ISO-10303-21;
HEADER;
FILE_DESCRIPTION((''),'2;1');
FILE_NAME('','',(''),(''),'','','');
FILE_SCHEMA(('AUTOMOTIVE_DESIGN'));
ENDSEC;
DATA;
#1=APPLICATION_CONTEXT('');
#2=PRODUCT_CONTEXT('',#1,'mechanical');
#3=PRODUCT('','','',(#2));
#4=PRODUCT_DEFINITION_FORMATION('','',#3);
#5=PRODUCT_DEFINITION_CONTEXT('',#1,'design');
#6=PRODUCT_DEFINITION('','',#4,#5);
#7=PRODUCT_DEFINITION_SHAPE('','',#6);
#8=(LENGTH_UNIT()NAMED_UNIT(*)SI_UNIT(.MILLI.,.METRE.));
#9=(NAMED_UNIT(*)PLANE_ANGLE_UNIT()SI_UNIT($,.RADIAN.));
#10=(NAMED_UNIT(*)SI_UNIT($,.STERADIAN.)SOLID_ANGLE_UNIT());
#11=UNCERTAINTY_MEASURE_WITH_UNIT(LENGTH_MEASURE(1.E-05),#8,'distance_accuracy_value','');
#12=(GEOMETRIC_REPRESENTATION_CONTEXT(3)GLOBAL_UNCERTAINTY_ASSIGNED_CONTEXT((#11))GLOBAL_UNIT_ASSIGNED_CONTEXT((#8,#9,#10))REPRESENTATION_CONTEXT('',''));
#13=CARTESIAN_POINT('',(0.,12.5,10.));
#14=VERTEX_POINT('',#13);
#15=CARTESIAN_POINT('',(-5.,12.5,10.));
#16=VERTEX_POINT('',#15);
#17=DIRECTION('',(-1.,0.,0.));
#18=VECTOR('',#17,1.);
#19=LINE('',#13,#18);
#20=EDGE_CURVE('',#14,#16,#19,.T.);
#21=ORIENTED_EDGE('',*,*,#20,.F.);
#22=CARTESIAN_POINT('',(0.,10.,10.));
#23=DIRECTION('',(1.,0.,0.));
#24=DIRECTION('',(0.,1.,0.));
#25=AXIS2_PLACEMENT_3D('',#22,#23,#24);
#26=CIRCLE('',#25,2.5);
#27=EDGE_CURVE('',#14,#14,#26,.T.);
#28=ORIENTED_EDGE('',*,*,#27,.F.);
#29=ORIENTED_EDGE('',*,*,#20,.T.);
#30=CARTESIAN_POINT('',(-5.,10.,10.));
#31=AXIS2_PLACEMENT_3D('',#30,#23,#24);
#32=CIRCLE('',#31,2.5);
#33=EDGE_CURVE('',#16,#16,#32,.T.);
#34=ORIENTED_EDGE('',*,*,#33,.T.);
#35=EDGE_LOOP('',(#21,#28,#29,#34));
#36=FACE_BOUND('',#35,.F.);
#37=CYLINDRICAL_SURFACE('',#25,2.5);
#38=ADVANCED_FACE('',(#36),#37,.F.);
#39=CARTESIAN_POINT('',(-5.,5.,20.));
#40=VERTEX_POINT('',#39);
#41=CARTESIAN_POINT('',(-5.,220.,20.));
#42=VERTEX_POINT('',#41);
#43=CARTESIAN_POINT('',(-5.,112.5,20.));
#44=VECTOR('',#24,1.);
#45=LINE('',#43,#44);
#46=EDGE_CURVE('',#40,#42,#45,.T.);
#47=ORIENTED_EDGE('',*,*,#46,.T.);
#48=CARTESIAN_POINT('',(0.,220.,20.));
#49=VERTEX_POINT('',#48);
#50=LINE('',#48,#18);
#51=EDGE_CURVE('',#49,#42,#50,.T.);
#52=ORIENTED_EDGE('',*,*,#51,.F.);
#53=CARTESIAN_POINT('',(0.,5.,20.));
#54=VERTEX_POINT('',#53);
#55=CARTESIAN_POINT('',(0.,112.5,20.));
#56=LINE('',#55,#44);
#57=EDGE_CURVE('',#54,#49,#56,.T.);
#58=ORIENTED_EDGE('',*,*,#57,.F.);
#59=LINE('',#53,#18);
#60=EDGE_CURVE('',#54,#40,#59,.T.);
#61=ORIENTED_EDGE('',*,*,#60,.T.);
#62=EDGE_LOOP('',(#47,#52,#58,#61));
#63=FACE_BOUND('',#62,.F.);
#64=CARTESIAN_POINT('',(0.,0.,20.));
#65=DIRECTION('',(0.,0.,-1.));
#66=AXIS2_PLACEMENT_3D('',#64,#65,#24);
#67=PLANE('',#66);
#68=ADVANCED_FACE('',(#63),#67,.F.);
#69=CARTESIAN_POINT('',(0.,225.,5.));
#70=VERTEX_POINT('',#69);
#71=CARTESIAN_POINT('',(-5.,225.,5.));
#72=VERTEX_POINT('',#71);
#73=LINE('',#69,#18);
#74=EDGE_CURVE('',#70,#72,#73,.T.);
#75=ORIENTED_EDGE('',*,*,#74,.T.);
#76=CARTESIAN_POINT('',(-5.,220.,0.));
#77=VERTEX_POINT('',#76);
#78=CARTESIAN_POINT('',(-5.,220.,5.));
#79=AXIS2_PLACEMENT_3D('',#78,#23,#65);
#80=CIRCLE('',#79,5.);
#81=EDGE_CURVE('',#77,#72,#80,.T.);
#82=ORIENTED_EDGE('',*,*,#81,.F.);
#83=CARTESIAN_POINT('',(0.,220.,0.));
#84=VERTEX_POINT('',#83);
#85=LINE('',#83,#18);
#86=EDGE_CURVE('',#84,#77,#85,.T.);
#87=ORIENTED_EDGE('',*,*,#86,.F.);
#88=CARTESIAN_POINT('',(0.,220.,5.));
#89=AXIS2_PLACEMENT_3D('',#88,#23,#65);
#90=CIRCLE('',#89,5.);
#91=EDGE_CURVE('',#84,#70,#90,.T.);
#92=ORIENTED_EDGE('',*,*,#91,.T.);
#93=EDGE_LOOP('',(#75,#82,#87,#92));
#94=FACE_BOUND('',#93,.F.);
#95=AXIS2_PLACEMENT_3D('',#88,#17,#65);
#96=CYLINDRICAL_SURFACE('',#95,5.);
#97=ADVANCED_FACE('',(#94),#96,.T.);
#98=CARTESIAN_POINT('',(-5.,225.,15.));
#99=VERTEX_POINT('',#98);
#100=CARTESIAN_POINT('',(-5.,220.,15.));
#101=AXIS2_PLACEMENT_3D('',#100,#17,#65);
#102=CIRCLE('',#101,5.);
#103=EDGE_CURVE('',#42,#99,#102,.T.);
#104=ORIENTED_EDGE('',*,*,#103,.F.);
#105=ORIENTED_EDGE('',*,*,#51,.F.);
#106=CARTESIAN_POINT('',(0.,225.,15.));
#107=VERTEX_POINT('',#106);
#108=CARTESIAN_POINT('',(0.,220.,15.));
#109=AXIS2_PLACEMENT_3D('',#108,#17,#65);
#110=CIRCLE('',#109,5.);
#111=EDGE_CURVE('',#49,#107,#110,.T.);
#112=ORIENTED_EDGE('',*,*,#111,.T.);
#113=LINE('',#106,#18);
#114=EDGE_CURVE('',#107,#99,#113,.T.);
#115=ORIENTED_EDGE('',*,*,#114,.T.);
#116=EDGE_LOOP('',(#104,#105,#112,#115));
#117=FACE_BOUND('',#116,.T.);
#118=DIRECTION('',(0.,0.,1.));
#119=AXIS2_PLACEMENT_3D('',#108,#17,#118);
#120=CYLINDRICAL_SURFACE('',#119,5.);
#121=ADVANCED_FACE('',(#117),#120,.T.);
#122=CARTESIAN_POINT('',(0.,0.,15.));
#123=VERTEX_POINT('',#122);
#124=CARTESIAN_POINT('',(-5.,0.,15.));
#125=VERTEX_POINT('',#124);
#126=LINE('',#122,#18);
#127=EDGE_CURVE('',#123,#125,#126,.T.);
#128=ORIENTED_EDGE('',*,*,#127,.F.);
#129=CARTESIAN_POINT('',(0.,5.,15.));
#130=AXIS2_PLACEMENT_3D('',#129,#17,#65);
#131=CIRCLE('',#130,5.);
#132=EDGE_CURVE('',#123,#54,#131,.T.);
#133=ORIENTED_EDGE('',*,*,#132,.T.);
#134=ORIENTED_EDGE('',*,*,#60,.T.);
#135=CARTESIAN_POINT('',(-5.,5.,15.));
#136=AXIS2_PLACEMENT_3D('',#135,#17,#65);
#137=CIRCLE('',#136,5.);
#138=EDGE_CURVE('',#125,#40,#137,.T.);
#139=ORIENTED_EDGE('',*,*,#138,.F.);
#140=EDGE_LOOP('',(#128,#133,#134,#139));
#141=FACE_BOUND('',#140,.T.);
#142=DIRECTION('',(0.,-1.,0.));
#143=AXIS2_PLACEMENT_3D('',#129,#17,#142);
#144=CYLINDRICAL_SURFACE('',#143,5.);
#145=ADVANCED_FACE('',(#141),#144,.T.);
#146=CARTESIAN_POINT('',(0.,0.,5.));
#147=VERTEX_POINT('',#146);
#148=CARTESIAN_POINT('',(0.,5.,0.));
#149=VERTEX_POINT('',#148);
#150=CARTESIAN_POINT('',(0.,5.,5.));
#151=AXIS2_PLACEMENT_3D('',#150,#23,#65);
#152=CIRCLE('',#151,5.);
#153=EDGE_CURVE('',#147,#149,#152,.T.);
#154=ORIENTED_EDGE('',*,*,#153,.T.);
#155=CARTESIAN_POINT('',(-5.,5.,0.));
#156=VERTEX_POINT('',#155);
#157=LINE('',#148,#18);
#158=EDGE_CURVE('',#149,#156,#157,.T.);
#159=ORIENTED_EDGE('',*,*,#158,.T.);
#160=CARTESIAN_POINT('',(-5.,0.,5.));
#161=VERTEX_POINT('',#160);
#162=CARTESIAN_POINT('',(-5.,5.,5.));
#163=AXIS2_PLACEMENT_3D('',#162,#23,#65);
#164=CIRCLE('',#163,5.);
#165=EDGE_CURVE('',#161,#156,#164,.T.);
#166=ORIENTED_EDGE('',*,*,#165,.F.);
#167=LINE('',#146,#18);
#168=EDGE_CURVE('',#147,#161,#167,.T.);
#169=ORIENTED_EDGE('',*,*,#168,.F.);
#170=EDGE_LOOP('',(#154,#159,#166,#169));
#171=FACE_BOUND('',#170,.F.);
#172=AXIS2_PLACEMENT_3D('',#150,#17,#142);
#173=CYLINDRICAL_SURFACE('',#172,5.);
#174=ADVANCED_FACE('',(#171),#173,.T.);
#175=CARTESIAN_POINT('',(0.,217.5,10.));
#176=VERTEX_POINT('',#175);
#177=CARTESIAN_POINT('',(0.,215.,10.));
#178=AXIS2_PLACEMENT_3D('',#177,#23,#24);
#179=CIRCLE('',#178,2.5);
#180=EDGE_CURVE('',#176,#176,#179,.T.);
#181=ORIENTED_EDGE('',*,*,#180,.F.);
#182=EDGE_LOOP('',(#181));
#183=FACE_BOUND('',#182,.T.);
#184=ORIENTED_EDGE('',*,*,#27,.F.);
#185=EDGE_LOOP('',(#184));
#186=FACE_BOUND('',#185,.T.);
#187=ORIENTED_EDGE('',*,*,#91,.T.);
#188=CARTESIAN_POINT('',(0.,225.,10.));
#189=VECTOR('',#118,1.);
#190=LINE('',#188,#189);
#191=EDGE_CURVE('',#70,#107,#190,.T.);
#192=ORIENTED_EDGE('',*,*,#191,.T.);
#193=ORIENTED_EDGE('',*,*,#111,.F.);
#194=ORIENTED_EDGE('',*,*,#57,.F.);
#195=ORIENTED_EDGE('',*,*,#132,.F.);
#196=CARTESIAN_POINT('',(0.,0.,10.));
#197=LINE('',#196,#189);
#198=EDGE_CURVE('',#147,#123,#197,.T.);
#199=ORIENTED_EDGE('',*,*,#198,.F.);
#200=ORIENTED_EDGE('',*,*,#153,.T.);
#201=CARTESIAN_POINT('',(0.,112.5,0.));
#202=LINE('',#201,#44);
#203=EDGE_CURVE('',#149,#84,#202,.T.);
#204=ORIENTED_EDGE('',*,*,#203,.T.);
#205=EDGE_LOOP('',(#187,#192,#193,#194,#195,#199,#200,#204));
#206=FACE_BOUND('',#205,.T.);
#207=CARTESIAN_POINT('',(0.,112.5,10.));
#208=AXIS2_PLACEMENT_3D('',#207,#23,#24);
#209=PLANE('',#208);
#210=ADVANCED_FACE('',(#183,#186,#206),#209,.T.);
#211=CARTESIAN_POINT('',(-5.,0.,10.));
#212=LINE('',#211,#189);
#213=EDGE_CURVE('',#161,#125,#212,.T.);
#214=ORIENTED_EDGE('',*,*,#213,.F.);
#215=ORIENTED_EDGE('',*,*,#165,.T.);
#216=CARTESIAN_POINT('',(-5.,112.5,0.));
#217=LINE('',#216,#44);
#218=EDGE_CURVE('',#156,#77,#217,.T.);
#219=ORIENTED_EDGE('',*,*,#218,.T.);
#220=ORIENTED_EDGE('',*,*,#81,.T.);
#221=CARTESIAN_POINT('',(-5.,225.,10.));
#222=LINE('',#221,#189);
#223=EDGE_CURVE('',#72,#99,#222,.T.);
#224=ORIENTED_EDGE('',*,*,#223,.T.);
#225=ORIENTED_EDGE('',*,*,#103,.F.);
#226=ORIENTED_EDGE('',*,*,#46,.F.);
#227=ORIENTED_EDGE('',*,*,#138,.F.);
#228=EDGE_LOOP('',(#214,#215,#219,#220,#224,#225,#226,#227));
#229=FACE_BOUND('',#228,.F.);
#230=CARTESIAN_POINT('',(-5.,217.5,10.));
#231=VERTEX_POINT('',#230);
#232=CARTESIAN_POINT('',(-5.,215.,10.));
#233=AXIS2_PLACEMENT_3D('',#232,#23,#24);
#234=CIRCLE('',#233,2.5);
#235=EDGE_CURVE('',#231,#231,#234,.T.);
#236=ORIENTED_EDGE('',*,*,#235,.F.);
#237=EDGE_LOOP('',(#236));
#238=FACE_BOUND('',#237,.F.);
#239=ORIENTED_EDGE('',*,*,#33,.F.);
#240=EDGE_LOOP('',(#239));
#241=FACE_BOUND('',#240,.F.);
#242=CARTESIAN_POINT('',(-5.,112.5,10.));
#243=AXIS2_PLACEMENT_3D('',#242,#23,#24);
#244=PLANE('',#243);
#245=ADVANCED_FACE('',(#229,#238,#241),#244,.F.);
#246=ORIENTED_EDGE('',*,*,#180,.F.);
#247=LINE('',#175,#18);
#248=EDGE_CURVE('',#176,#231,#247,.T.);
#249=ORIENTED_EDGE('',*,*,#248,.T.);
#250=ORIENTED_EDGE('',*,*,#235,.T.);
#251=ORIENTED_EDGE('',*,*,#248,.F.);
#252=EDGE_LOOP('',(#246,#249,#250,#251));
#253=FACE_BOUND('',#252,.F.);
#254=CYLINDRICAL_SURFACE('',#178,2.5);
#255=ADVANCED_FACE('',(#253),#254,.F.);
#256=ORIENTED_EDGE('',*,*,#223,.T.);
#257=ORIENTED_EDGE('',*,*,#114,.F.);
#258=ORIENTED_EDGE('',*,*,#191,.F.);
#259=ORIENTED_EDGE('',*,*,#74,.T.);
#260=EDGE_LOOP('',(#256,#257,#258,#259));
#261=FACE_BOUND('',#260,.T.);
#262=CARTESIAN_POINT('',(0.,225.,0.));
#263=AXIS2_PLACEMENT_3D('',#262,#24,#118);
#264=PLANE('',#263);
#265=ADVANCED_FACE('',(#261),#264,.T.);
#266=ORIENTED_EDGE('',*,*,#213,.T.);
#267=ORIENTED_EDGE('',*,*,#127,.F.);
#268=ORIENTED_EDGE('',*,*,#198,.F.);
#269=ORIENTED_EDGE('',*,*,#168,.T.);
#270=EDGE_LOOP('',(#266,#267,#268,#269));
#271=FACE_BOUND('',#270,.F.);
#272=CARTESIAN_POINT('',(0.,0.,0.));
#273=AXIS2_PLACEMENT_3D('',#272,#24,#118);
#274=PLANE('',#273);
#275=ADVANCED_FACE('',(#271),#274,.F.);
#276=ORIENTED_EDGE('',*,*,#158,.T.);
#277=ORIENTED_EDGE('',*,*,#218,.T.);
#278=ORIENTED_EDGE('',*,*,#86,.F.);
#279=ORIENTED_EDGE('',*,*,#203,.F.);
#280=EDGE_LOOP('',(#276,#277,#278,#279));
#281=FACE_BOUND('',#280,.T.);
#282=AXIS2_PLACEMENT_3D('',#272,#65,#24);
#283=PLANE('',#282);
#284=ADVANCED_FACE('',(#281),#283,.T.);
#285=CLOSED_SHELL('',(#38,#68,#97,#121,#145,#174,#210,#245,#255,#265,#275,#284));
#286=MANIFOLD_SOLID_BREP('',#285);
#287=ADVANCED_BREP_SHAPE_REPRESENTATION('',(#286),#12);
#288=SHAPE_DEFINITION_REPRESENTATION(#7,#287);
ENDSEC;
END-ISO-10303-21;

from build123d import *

# Parameters (mm, degrees)
F0_W     = 225
F0_H     = 20
F0_R     = 2.5
F1_DEPTH = 5
F2_R     = 5


with BuildPart() as f1:
    # F0 (on Right) → F1 (new body)
    with BuildSketch(Plane.YZ):
        with Locations((112.5, 10)):
            Rectangle(F0_W, F0_H)
        with Locations((10, 10)):
            Circle(F0_R, mode=Mode.SUBTRACT)
        with Locations((215, 10)):
            Circle(F0_R, mode=Mode.SUBTRACT)
    extrude(amount=-F1_DEPTH)

    # F2
    f2_edges = [f1.edges().sort_by_distance(p)[0] for p in [
        (-2.5, 0, 20),
        (-2.5, 0, 0),
        (-2.5, 225, 20),
        (-2.5, 225, 0),
    ]]
    fillet(f2_edges, radius=F2_R)


solid = f1.part
